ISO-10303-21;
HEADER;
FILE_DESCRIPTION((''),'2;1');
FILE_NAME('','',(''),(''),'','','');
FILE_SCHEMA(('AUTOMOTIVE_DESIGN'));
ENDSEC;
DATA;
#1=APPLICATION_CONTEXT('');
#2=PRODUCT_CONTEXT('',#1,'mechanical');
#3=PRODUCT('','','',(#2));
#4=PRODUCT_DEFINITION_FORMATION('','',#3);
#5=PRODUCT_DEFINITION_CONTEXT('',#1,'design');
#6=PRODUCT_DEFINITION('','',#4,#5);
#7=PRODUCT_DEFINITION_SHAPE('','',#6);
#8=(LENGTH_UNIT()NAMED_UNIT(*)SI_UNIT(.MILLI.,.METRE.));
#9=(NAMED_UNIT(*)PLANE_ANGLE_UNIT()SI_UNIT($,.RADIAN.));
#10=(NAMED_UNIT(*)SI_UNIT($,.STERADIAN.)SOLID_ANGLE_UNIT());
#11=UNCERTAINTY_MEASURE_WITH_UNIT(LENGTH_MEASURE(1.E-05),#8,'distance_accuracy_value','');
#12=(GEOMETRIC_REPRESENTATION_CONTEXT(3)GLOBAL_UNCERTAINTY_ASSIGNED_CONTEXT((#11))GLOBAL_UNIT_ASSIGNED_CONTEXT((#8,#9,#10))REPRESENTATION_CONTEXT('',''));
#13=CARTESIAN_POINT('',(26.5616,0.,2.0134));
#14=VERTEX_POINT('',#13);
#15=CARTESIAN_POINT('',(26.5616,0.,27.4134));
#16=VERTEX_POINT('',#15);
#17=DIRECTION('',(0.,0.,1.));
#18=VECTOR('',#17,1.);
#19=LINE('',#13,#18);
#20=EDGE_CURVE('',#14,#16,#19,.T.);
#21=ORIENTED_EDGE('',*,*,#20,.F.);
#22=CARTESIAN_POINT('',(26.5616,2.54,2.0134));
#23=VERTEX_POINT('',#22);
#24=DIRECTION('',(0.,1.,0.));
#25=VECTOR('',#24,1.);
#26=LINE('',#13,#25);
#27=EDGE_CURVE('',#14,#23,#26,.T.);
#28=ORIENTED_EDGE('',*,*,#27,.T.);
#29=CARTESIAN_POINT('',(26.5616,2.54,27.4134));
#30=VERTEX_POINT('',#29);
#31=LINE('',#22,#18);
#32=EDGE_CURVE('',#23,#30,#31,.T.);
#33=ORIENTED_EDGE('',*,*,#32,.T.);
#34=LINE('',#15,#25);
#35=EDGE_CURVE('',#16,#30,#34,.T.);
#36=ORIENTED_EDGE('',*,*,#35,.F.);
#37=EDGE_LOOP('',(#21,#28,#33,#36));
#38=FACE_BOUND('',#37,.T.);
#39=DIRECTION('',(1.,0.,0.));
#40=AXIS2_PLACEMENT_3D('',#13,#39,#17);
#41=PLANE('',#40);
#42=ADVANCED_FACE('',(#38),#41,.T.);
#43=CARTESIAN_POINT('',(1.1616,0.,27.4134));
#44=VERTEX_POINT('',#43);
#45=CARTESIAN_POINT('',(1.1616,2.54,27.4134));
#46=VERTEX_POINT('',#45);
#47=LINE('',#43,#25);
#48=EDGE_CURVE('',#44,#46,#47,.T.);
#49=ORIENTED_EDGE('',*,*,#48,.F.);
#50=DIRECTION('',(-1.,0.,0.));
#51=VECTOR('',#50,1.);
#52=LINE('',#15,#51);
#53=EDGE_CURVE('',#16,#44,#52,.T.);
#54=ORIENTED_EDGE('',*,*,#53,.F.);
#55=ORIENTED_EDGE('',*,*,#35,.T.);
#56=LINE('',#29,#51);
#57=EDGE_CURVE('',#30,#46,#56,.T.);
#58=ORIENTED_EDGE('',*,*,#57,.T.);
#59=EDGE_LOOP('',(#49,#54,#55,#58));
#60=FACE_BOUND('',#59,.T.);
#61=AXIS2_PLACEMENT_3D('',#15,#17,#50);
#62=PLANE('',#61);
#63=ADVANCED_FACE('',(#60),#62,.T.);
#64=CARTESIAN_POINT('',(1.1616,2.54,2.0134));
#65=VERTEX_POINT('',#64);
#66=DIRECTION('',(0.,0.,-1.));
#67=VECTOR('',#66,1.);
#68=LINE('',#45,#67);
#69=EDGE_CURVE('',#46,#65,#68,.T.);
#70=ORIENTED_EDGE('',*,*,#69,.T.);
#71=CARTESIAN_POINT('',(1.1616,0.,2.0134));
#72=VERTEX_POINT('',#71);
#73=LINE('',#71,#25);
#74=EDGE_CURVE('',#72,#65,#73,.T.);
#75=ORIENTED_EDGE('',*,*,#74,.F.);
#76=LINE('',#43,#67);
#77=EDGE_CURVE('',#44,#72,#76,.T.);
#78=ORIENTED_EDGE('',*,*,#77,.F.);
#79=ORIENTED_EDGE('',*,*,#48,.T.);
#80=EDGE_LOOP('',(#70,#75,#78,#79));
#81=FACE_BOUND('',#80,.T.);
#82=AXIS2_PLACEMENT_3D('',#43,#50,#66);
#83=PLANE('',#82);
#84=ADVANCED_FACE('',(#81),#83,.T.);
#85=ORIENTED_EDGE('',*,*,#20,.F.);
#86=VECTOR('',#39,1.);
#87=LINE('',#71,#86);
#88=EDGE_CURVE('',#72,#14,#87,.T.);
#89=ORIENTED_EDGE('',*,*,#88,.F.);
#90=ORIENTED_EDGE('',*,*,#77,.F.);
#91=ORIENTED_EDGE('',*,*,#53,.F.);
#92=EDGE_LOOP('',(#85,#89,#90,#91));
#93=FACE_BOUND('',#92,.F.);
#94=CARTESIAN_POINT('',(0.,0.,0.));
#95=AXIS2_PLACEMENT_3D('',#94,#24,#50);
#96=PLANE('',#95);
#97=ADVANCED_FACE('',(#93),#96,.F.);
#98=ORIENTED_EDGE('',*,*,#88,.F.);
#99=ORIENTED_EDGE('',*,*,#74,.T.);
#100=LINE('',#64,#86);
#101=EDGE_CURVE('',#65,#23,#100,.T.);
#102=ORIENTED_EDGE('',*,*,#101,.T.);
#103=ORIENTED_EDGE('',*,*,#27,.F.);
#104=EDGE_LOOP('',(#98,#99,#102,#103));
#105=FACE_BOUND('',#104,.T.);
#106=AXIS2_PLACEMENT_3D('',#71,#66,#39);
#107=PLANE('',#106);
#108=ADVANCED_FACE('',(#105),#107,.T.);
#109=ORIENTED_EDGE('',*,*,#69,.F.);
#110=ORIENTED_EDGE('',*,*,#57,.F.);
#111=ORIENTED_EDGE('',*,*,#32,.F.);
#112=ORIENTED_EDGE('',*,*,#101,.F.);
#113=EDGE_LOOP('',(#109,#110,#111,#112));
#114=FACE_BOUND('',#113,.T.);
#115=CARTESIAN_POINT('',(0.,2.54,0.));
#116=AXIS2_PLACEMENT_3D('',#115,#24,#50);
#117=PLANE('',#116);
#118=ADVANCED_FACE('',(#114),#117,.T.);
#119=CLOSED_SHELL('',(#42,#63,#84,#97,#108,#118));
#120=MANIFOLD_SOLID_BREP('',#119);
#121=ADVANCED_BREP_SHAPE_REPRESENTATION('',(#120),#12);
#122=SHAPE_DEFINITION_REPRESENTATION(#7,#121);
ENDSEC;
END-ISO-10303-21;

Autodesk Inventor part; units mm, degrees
ref_plane "YZ Plane" through (0, 0, 0) normal (1, 0, 0) x (0, 1, 0)
ref_plane "XZ Plane" through (0, 0, 0) normal (0, 1, 0) x (-1, 0, 0)
ref_plane "XY Plane" through (0, 0, 0) normal (0, 0, 1) x (1, 0, 0)
sketch "Sketch1" plane through (0, 0, 0) normal (0, 1, 0) x (-1, 0, 0)
  line L0 (-26.5616, 27.4134) -> (-1.1616, 27.4134)
  line L1 (-1.1616, 27.4134) -> (-1.1616, 2.0134)
  line L2 (-1.1616, 2.0134) -> (-26.5616, 2.0134)
  line L3 (-26.5616, 2.0134) -> (-26.5616, 27.4134)
  point P0 (0, 0)
  dimension "d0" = 25.4
  dimension "d2" = 25.4
extrude "Extrusion1" add sketch "Sketch1" along normal blind 2.54
properties part number "Thermal pad .100" material "Rubber, Silicone"
